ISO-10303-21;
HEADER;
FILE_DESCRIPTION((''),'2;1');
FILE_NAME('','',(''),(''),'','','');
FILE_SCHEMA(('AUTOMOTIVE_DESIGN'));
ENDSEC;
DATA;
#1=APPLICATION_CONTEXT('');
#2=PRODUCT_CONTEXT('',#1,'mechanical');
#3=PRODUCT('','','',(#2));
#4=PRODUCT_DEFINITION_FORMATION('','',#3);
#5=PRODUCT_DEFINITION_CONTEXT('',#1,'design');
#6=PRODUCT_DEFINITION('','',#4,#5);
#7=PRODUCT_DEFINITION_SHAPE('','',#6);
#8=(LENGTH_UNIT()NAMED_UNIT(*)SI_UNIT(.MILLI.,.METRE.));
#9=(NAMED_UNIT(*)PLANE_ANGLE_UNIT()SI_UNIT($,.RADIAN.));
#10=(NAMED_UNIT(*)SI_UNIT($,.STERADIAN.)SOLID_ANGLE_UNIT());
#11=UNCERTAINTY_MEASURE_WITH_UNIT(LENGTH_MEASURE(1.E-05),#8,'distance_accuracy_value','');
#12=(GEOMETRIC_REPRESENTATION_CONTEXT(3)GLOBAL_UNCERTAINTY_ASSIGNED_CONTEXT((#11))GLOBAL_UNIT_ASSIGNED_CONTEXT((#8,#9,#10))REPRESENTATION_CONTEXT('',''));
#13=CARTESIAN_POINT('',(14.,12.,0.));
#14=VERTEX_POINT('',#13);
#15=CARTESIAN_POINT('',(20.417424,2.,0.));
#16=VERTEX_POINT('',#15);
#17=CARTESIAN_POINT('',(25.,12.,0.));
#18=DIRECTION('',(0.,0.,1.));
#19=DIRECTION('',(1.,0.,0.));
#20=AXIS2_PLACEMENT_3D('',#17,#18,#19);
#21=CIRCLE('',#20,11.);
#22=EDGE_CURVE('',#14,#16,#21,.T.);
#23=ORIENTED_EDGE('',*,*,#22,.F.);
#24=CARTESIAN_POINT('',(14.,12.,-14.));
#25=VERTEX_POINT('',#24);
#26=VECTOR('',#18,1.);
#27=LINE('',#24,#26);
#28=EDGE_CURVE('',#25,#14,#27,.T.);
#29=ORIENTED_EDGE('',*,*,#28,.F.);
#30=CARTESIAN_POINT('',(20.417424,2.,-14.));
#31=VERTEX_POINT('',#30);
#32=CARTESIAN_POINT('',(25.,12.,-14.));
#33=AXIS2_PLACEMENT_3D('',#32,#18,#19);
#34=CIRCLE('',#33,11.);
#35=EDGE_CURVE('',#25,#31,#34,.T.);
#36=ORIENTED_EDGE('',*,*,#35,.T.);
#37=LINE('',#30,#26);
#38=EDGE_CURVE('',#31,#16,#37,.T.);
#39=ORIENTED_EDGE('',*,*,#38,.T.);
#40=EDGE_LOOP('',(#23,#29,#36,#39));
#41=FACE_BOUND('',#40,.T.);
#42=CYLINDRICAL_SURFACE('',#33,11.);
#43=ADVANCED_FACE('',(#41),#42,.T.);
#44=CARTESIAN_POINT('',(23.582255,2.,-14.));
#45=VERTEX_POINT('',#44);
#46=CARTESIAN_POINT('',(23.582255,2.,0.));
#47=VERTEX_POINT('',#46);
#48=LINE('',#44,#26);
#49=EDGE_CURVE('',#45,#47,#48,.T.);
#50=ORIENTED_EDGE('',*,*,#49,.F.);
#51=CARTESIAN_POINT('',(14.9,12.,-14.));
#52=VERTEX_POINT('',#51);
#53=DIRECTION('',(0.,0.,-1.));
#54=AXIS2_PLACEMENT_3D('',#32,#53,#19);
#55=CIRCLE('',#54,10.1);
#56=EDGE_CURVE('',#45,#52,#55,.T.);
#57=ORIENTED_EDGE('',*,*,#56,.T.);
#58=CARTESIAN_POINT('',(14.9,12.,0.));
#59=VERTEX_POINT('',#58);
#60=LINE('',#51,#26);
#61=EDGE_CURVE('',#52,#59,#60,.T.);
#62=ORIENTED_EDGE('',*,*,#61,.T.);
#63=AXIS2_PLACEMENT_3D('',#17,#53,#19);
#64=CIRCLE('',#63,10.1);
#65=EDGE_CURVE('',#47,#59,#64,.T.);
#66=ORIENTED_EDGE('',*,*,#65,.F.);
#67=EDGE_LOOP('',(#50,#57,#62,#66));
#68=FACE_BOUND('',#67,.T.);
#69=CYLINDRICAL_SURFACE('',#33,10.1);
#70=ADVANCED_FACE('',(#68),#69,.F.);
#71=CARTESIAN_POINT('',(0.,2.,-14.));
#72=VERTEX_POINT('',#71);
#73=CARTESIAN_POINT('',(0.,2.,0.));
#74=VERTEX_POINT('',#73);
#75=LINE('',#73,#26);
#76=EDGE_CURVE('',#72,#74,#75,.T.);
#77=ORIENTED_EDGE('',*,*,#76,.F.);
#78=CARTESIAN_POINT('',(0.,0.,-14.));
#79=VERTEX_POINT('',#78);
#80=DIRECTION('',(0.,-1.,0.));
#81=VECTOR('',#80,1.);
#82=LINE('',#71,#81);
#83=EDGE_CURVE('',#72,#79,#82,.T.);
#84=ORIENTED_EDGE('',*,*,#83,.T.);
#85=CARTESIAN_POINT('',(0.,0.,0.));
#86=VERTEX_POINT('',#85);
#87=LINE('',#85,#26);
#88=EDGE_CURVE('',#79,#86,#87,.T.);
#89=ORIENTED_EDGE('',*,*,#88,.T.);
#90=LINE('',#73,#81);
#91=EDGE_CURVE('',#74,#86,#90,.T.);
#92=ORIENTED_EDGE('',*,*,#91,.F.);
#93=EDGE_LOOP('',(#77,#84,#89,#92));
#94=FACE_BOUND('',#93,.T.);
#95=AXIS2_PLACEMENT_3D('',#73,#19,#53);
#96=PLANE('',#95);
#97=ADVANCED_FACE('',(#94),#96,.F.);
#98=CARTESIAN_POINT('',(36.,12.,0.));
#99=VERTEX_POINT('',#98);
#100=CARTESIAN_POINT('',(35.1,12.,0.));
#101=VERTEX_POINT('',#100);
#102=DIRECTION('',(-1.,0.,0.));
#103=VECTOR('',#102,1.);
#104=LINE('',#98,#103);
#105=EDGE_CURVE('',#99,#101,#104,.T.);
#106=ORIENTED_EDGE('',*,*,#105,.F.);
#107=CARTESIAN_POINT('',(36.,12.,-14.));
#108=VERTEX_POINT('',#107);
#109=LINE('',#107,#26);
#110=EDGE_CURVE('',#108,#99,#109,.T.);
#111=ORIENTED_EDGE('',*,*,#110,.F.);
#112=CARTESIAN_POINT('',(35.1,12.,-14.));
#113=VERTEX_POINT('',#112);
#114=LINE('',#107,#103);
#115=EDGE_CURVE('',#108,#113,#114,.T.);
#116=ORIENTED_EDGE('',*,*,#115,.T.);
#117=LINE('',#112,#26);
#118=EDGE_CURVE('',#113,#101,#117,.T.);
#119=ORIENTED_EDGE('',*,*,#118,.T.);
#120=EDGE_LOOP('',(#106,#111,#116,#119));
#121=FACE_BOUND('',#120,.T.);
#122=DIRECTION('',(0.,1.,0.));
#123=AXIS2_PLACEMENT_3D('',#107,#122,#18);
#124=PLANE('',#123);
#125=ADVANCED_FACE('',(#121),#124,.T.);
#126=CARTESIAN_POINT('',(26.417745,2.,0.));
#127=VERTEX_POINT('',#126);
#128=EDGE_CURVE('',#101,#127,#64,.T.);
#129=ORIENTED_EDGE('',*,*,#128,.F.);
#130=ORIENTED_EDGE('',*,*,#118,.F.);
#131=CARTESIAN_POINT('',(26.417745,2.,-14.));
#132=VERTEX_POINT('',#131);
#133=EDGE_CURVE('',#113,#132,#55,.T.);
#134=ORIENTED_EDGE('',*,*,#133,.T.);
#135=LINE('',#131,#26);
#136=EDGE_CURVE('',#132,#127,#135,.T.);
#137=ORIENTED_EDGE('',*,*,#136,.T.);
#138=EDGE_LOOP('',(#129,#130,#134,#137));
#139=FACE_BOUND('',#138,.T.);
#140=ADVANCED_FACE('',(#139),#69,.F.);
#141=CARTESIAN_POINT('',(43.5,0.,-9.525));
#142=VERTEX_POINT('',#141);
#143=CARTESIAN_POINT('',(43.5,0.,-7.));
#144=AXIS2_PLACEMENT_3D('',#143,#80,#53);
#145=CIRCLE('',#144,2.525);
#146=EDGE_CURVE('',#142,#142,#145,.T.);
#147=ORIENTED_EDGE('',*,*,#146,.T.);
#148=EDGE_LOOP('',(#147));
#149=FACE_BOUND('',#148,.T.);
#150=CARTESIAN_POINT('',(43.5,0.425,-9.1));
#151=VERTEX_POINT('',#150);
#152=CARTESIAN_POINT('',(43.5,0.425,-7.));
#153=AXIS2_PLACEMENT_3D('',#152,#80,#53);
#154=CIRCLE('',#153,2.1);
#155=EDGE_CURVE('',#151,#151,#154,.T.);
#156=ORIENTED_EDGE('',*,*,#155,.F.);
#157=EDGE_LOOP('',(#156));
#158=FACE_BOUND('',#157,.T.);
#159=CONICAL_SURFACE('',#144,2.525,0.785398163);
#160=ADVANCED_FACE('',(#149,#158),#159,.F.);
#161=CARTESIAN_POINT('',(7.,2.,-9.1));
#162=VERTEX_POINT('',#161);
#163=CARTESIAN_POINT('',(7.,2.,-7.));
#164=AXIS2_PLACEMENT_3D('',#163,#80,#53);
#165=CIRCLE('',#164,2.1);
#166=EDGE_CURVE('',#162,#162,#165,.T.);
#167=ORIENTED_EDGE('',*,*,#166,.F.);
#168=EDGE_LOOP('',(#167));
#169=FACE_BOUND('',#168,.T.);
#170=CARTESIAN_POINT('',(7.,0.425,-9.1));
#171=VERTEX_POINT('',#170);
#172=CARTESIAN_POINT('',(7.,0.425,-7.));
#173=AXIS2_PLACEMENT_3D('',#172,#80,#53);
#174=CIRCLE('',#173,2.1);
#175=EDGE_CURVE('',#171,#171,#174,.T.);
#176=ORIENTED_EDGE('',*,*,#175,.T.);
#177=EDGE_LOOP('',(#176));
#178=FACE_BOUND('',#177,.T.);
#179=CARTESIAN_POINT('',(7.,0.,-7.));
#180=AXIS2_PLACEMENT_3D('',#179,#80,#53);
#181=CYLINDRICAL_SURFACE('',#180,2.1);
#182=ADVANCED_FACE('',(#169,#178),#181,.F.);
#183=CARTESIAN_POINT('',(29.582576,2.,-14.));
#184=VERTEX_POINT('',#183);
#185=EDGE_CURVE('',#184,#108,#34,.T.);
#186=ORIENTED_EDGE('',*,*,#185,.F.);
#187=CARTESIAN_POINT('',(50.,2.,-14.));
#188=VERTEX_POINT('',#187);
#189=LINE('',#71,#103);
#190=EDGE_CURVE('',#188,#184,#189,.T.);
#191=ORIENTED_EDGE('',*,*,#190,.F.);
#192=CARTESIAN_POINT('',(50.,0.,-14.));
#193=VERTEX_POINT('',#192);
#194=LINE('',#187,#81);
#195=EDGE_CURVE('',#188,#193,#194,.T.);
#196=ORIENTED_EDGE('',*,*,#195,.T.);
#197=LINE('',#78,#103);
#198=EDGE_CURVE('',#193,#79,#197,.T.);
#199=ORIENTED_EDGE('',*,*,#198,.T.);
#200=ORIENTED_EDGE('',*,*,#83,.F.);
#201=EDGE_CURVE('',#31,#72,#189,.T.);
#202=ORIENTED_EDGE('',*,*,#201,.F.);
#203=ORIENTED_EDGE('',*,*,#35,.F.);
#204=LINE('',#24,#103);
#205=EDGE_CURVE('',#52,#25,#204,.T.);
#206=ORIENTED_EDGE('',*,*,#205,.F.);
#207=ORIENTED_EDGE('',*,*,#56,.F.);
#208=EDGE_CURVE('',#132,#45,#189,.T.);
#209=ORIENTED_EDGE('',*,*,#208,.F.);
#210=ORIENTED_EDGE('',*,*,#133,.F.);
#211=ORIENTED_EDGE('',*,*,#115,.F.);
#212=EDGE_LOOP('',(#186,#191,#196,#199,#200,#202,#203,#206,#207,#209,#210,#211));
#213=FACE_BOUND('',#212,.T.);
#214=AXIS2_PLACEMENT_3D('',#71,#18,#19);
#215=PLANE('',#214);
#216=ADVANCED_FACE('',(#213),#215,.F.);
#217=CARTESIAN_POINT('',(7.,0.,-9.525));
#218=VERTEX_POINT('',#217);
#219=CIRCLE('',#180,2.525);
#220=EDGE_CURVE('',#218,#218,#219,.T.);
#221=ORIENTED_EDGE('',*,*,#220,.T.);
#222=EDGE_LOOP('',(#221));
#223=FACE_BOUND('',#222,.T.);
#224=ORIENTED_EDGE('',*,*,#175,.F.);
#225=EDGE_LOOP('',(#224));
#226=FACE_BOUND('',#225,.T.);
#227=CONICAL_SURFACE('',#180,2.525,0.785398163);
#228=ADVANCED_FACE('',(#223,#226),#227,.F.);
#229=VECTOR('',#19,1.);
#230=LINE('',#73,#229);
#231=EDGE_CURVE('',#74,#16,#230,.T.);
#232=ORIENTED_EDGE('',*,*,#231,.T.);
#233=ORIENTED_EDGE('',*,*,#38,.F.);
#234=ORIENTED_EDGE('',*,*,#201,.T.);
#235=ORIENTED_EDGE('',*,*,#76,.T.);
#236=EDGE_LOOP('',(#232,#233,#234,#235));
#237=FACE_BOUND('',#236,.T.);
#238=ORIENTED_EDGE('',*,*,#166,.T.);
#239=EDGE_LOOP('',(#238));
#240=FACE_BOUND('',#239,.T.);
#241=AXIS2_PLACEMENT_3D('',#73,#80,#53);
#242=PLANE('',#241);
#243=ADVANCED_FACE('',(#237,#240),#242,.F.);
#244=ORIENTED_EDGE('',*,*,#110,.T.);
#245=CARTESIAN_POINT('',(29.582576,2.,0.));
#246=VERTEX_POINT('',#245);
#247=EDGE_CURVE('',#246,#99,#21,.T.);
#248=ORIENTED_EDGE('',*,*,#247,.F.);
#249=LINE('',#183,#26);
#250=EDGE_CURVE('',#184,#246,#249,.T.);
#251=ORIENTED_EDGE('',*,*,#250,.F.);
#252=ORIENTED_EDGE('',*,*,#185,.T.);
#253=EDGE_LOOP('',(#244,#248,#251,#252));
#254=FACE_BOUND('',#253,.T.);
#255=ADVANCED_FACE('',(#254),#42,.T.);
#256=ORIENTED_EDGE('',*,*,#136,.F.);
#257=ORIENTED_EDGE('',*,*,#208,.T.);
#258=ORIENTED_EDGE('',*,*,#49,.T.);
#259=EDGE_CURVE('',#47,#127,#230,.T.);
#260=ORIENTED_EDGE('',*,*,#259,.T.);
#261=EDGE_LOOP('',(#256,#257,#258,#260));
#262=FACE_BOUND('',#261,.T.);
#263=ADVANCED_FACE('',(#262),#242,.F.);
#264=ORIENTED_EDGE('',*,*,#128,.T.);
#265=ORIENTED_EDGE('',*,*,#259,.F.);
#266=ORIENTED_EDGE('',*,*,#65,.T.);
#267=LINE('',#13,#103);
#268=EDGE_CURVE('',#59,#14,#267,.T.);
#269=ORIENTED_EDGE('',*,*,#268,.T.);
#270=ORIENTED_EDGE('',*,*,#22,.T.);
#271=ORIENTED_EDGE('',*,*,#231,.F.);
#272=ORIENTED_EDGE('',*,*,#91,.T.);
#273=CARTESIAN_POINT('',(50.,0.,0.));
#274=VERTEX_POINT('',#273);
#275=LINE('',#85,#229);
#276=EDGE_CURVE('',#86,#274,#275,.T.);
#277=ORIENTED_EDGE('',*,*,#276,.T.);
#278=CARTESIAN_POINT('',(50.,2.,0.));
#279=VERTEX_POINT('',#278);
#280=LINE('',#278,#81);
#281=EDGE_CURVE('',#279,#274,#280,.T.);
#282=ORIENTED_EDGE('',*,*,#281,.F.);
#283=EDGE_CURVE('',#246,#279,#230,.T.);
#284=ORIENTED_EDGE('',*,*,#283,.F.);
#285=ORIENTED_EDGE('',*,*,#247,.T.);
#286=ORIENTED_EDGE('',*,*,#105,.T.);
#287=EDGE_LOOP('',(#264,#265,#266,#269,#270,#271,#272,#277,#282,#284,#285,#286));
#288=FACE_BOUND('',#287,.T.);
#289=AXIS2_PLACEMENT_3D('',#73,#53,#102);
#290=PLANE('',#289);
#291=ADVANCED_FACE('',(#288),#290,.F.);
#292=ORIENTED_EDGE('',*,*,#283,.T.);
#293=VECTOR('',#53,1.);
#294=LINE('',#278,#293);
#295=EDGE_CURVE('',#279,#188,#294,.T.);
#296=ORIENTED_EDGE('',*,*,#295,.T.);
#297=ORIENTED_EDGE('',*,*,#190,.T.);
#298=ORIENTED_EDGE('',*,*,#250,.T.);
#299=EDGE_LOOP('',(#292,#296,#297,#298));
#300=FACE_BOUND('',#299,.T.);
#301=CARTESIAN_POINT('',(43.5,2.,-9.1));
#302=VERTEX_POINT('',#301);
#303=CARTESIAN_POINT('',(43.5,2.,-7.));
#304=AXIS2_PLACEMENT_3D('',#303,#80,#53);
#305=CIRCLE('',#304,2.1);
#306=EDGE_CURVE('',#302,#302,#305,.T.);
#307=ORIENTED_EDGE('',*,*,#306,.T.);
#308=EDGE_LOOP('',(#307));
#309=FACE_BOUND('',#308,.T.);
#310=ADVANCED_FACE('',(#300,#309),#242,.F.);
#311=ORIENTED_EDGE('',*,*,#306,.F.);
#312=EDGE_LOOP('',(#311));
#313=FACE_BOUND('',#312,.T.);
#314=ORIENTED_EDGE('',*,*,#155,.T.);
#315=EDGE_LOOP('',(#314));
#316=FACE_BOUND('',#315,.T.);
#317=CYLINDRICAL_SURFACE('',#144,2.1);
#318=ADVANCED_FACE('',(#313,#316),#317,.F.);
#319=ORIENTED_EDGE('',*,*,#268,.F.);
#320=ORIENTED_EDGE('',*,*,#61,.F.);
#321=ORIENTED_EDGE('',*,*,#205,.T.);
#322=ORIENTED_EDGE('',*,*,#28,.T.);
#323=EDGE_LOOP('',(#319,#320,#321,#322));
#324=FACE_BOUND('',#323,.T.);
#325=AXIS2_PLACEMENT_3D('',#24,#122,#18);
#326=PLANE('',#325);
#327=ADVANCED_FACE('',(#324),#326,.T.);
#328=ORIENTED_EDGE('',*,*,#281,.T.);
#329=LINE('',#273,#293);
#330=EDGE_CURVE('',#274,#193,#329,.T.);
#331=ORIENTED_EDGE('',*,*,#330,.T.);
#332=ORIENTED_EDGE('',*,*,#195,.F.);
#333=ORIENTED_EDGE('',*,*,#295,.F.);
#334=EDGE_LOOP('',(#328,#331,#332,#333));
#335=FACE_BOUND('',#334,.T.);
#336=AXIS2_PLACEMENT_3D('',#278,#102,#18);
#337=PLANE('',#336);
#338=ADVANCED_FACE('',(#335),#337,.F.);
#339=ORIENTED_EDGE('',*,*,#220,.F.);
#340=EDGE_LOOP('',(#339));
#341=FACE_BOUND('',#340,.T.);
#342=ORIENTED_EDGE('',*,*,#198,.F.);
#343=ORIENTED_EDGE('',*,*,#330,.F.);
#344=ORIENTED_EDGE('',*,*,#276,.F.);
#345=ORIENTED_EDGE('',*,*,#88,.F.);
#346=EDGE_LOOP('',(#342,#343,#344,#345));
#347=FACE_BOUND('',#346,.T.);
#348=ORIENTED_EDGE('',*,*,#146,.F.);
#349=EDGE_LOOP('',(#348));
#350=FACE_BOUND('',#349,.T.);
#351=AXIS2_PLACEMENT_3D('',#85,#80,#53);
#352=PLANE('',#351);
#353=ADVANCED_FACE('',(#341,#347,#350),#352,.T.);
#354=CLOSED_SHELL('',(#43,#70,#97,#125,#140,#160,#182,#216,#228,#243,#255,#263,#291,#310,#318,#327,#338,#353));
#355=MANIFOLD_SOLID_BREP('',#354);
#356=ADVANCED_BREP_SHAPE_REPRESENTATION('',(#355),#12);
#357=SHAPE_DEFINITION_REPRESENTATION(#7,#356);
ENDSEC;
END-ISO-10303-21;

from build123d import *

# Parameters (mm, degrees)
SKETCH_1_W                   = 50
SKETCH_1_H                   = 14
EXTRUDE_1_DEPTH              = 2
EXTRUDE_2_DEPTH              = 14
HOLE_WIZARD_M5_3_D           = 4.2
HOLE_WIZARD_M5_3_DEPTH       = 12.4
HOLE_WIZARD_M5_3_CSINK_D     = 5.05
HOLE_WIZARD_M5_3_CSINK_ANGLE = 90
HOLE_WIZARD_M5_3_TIP         = 1.2618073


with BuildPart() as part:
    # 草图1 → 凸台-拉伸1 (new body)
    with BuildSketch(Plane(origin=(0, 0, 0), x_dir=(1, 0, 0), z_dir=(0, 1, 0))):
        with Locations((25, 7)):
            Rectangle(SKETCH_1_W, SKETCH_1_H)
    extrude(amount=EXTRUDE_1_DEPTH)

    # 草图5 → 凸台-拉伸2 (add)
    with BuildSketch(Plane.XY):
        with BuildLine():
            Line((20.417424305, 2), (23.582255312, 2))
            ThreePointArc((23.582255312, 2), (17.373427331, 5.378414893), (14.9, 12))
            Line((14.9, 12), (14, 12))
            ThreePointArc((14, 12), (15.742345528, 6.058970318), (20.417424305, 2))
        make_face()
        with BuildLine():
            Line((36, 12), (35.1, 12))
            ThreePointArc((35.1, 12), (32.626572669, 5.378414893), (26.417744688, 2))
            Line((26.417744688, 2), (29.582575695, 2))
            ThreePointArc((29.582575695, 2), (34.257654472, 6.058970318), (36, 12))
        make_face()
    extrude(amount=-EXTRUDE_2_DEPTH)

    # M5 螺纹孔3
    with Locations(Plane.XZ):
        with Locations((43.5, -7), (7, -7)):
            CounterSinkHole(HOLE_WIZARD_M5_3_D / 2, HOLE_WIZARD_M5_3_CSINK_D / 2, depth=HOLE_WIZARD_M5_3_DEPTH, counter_sink_angle=HOLE_WIZARD_M5_3_CSINK_ANGLE)
            with Locations((0, 0, -(HOLE_WIZARD_M5_3_DEPTH + HOLE_WIZARD_M5_3_TIP / 2))):  # 118° drill point
                Cone(0, HOLE_WIZARD_M5_3_D / 2, HOLE_WIZARD_M5_3_TIP, mode=Mode.SUBTRACT)


solid = part.part
